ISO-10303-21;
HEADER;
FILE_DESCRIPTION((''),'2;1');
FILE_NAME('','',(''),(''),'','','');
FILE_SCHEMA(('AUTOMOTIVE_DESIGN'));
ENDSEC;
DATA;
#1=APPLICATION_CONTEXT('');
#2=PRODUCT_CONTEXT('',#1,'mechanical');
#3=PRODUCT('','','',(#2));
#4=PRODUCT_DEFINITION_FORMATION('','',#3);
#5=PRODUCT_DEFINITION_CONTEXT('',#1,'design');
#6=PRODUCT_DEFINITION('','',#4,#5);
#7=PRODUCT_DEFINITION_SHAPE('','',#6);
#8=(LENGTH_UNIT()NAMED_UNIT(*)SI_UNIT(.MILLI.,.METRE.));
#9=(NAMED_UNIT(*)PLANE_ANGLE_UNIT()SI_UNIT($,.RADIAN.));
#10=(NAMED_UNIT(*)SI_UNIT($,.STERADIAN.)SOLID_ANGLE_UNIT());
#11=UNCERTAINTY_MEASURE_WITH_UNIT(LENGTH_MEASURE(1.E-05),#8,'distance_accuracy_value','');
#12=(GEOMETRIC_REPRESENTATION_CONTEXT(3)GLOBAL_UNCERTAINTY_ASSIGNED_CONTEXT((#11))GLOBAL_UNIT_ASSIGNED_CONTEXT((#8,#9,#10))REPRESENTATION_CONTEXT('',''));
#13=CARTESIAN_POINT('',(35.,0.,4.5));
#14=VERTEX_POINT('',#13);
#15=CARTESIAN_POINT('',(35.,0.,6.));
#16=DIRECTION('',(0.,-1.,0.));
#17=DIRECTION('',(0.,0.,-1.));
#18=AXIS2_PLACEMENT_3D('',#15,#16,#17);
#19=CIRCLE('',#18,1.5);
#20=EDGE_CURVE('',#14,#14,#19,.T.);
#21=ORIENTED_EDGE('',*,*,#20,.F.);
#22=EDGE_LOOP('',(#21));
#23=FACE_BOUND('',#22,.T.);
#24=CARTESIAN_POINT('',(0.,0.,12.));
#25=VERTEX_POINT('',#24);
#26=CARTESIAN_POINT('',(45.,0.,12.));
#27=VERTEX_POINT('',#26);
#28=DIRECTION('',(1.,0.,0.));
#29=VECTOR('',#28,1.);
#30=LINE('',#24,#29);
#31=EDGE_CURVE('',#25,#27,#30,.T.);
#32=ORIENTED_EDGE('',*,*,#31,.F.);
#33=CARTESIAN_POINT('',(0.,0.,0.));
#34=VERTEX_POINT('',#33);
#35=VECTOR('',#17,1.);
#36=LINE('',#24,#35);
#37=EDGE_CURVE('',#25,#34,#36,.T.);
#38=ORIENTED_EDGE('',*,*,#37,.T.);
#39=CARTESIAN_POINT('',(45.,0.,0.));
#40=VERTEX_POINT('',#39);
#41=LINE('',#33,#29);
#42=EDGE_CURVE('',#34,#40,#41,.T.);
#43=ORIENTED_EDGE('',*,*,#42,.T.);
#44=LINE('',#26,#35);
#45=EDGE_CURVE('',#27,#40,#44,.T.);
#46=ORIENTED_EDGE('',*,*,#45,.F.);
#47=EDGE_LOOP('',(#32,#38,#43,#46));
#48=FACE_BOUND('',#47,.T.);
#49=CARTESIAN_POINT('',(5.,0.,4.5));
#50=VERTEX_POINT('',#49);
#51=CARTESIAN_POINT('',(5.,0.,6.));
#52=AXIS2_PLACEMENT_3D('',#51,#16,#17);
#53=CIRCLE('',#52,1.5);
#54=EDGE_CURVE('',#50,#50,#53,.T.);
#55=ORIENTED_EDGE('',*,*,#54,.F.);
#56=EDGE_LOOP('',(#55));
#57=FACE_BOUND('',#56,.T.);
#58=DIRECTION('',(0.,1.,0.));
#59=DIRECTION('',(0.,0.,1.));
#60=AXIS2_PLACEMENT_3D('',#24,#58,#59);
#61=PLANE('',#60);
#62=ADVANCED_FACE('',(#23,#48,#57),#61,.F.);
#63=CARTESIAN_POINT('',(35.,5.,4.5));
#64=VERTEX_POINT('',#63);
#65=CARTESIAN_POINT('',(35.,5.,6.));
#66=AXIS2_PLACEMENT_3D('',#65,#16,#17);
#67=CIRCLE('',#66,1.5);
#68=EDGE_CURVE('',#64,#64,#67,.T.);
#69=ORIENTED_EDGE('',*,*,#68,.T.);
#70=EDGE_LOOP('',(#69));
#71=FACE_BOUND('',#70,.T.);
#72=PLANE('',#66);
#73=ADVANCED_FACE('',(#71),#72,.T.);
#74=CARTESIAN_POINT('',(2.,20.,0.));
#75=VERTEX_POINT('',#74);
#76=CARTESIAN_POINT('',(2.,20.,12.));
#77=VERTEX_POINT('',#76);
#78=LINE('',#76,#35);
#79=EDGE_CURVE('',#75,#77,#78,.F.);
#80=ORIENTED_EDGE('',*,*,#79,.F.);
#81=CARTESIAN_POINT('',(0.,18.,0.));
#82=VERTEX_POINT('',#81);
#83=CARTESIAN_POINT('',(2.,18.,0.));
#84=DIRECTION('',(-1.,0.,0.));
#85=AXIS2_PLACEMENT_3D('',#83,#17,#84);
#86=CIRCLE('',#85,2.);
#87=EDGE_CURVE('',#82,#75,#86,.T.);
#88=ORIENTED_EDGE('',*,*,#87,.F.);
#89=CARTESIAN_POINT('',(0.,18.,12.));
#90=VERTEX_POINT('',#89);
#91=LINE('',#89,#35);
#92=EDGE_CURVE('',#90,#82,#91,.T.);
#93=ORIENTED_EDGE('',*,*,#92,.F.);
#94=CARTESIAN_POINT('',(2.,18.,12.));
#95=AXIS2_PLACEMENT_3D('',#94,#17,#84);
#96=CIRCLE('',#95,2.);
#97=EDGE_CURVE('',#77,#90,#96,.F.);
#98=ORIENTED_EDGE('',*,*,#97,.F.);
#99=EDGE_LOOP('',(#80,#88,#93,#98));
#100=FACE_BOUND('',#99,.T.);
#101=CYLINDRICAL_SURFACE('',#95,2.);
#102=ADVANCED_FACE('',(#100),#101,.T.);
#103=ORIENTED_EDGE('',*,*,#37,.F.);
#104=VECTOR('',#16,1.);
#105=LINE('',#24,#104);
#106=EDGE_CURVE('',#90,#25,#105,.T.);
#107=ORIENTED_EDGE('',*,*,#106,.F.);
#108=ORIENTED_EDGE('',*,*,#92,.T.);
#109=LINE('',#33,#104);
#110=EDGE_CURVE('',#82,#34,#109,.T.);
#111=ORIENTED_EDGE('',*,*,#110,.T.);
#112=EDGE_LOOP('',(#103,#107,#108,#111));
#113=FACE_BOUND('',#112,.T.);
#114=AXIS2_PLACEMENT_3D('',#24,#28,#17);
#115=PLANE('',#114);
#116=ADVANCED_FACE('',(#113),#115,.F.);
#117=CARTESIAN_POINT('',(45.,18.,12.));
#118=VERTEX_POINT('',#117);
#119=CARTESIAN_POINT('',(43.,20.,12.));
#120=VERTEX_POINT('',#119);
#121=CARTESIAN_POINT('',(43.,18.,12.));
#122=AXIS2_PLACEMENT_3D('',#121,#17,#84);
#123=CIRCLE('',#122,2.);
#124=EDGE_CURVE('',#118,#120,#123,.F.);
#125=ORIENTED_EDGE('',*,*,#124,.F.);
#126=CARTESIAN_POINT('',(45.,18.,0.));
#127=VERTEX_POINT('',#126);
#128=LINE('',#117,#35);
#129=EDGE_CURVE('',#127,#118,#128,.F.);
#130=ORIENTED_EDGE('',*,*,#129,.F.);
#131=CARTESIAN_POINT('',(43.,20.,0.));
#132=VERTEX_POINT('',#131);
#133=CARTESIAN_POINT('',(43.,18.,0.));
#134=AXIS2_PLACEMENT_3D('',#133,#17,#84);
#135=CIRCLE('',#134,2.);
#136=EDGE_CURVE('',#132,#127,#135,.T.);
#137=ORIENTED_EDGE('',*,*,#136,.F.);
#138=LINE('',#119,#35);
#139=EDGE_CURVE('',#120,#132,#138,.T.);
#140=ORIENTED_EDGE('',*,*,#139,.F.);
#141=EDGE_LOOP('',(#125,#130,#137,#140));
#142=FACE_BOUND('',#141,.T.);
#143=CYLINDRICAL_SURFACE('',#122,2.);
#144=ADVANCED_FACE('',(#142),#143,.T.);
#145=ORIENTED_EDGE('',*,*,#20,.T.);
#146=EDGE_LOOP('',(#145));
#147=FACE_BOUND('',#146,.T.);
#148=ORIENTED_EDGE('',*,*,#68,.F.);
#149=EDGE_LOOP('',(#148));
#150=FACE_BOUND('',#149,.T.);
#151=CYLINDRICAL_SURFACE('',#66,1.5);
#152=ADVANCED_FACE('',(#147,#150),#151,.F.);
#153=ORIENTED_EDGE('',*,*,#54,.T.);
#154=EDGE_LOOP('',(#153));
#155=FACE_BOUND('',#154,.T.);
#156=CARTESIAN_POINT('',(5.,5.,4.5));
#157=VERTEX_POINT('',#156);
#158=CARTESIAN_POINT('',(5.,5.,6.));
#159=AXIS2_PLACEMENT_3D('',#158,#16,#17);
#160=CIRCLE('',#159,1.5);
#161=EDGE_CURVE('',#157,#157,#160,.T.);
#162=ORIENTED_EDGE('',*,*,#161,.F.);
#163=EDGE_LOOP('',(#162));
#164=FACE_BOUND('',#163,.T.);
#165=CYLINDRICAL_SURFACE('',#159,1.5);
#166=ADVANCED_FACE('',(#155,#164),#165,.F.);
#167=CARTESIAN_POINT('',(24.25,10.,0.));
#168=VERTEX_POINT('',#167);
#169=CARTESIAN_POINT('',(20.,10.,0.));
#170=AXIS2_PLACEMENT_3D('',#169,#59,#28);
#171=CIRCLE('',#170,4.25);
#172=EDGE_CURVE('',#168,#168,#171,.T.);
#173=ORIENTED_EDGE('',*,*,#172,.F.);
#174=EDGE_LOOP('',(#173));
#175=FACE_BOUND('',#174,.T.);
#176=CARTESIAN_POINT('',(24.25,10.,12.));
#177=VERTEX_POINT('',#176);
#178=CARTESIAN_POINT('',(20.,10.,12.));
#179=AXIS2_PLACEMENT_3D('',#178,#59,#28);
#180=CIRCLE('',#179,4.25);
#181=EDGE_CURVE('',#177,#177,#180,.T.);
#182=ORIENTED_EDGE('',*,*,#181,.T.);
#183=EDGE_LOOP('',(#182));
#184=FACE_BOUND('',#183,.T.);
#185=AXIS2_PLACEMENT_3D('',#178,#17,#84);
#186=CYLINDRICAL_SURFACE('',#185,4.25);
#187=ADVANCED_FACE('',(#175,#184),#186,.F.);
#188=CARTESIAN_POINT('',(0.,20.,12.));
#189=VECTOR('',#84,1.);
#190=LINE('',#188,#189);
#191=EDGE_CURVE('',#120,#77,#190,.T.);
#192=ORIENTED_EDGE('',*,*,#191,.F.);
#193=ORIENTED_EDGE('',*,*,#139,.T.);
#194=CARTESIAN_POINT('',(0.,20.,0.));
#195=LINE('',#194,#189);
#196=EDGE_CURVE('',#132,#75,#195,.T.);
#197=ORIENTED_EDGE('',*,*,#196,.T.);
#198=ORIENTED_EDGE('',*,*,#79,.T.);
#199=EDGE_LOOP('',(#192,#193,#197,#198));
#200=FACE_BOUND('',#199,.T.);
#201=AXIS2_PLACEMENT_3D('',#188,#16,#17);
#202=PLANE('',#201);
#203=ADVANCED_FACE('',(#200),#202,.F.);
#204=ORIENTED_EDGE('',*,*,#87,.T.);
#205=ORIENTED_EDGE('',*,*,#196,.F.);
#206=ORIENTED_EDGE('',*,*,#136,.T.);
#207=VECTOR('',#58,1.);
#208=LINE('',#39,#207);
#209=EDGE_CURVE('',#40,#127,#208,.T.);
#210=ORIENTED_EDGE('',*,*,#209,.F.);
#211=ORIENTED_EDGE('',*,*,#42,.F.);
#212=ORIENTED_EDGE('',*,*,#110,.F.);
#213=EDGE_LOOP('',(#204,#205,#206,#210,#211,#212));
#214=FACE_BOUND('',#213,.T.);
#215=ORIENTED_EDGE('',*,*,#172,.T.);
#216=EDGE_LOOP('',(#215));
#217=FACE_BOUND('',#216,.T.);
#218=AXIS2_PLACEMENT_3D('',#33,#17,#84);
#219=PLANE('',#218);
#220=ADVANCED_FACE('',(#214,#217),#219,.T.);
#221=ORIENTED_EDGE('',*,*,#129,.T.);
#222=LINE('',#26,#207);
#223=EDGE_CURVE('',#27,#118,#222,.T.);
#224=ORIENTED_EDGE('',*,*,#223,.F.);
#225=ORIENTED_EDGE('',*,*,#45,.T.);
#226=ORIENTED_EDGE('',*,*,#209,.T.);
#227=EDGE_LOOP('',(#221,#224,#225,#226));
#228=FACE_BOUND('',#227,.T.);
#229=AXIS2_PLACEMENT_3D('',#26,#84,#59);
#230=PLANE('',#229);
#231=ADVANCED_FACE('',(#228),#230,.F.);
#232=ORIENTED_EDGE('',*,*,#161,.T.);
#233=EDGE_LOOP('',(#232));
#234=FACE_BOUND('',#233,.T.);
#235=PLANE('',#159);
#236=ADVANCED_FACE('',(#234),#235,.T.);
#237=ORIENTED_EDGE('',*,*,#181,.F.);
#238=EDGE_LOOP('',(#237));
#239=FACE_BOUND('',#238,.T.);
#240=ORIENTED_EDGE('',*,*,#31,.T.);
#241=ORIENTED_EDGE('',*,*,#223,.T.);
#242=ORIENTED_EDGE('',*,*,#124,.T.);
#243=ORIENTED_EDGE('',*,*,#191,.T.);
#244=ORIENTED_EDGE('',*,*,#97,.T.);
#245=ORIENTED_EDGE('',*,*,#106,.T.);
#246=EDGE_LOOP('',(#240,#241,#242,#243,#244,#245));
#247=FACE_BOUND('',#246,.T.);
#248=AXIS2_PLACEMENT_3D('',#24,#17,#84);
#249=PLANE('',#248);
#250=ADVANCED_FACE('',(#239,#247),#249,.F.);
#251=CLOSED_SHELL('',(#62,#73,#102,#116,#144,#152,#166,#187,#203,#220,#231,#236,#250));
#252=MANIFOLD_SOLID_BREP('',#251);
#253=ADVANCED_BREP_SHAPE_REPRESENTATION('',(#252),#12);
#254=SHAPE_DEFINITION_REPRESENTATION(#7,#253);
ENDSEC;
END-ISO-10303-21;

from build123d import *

# Parameters (mm, degrees)
SKETCH1_W           = 45
SKETCH1_H           = 20
SKETCH1_R           = 4.25
BOSS_EXTRUDE1_DEPTH = 12
FILLET1_R           = 2
SKETCH2_R           = 1.5
CUT_EXTRUDE1_DEPTH  = 5


with BuildPart() as part:
    # Sketch1 → Boss-Extrude1 (new body)
    with BuildSketch(Plane.XY):
        with Locations((22.5, 10)):
            Rectangle(SKETCH1_W, SKETCH1_H)
        with Locations((20, 10)):
            Circle(SKETCH1_R, mode=Mode.SUBTRACT)
    extrude(amount=BOSS_EXTRUDE1_DEPTH)

    # Fillet1
    fillet1_edges = [part.edges().sort_by_distance(p)[0] for p in [
        (0, 20, 6),
        (45, 20, 6),
    ]]
    fillet(fillet1_edges, radius=FILLET1_R)

    # Sketch2 → Cut-Extrude1 (cut)
    with BuildSketch(Plane.XZ):
        with Locations(Location((5, 6, 0), (0, 0, 270))):
            Circle(SKETCH2_R)
        with Locations(Location((35, 6, 0), (0, 0, 270))):
            Circle(SKETCH2_R)
    extrude(amount=-CUT_EXTRUDE1_DEPTH, mode=Mode.SUBTRACT)


solid = part.part
